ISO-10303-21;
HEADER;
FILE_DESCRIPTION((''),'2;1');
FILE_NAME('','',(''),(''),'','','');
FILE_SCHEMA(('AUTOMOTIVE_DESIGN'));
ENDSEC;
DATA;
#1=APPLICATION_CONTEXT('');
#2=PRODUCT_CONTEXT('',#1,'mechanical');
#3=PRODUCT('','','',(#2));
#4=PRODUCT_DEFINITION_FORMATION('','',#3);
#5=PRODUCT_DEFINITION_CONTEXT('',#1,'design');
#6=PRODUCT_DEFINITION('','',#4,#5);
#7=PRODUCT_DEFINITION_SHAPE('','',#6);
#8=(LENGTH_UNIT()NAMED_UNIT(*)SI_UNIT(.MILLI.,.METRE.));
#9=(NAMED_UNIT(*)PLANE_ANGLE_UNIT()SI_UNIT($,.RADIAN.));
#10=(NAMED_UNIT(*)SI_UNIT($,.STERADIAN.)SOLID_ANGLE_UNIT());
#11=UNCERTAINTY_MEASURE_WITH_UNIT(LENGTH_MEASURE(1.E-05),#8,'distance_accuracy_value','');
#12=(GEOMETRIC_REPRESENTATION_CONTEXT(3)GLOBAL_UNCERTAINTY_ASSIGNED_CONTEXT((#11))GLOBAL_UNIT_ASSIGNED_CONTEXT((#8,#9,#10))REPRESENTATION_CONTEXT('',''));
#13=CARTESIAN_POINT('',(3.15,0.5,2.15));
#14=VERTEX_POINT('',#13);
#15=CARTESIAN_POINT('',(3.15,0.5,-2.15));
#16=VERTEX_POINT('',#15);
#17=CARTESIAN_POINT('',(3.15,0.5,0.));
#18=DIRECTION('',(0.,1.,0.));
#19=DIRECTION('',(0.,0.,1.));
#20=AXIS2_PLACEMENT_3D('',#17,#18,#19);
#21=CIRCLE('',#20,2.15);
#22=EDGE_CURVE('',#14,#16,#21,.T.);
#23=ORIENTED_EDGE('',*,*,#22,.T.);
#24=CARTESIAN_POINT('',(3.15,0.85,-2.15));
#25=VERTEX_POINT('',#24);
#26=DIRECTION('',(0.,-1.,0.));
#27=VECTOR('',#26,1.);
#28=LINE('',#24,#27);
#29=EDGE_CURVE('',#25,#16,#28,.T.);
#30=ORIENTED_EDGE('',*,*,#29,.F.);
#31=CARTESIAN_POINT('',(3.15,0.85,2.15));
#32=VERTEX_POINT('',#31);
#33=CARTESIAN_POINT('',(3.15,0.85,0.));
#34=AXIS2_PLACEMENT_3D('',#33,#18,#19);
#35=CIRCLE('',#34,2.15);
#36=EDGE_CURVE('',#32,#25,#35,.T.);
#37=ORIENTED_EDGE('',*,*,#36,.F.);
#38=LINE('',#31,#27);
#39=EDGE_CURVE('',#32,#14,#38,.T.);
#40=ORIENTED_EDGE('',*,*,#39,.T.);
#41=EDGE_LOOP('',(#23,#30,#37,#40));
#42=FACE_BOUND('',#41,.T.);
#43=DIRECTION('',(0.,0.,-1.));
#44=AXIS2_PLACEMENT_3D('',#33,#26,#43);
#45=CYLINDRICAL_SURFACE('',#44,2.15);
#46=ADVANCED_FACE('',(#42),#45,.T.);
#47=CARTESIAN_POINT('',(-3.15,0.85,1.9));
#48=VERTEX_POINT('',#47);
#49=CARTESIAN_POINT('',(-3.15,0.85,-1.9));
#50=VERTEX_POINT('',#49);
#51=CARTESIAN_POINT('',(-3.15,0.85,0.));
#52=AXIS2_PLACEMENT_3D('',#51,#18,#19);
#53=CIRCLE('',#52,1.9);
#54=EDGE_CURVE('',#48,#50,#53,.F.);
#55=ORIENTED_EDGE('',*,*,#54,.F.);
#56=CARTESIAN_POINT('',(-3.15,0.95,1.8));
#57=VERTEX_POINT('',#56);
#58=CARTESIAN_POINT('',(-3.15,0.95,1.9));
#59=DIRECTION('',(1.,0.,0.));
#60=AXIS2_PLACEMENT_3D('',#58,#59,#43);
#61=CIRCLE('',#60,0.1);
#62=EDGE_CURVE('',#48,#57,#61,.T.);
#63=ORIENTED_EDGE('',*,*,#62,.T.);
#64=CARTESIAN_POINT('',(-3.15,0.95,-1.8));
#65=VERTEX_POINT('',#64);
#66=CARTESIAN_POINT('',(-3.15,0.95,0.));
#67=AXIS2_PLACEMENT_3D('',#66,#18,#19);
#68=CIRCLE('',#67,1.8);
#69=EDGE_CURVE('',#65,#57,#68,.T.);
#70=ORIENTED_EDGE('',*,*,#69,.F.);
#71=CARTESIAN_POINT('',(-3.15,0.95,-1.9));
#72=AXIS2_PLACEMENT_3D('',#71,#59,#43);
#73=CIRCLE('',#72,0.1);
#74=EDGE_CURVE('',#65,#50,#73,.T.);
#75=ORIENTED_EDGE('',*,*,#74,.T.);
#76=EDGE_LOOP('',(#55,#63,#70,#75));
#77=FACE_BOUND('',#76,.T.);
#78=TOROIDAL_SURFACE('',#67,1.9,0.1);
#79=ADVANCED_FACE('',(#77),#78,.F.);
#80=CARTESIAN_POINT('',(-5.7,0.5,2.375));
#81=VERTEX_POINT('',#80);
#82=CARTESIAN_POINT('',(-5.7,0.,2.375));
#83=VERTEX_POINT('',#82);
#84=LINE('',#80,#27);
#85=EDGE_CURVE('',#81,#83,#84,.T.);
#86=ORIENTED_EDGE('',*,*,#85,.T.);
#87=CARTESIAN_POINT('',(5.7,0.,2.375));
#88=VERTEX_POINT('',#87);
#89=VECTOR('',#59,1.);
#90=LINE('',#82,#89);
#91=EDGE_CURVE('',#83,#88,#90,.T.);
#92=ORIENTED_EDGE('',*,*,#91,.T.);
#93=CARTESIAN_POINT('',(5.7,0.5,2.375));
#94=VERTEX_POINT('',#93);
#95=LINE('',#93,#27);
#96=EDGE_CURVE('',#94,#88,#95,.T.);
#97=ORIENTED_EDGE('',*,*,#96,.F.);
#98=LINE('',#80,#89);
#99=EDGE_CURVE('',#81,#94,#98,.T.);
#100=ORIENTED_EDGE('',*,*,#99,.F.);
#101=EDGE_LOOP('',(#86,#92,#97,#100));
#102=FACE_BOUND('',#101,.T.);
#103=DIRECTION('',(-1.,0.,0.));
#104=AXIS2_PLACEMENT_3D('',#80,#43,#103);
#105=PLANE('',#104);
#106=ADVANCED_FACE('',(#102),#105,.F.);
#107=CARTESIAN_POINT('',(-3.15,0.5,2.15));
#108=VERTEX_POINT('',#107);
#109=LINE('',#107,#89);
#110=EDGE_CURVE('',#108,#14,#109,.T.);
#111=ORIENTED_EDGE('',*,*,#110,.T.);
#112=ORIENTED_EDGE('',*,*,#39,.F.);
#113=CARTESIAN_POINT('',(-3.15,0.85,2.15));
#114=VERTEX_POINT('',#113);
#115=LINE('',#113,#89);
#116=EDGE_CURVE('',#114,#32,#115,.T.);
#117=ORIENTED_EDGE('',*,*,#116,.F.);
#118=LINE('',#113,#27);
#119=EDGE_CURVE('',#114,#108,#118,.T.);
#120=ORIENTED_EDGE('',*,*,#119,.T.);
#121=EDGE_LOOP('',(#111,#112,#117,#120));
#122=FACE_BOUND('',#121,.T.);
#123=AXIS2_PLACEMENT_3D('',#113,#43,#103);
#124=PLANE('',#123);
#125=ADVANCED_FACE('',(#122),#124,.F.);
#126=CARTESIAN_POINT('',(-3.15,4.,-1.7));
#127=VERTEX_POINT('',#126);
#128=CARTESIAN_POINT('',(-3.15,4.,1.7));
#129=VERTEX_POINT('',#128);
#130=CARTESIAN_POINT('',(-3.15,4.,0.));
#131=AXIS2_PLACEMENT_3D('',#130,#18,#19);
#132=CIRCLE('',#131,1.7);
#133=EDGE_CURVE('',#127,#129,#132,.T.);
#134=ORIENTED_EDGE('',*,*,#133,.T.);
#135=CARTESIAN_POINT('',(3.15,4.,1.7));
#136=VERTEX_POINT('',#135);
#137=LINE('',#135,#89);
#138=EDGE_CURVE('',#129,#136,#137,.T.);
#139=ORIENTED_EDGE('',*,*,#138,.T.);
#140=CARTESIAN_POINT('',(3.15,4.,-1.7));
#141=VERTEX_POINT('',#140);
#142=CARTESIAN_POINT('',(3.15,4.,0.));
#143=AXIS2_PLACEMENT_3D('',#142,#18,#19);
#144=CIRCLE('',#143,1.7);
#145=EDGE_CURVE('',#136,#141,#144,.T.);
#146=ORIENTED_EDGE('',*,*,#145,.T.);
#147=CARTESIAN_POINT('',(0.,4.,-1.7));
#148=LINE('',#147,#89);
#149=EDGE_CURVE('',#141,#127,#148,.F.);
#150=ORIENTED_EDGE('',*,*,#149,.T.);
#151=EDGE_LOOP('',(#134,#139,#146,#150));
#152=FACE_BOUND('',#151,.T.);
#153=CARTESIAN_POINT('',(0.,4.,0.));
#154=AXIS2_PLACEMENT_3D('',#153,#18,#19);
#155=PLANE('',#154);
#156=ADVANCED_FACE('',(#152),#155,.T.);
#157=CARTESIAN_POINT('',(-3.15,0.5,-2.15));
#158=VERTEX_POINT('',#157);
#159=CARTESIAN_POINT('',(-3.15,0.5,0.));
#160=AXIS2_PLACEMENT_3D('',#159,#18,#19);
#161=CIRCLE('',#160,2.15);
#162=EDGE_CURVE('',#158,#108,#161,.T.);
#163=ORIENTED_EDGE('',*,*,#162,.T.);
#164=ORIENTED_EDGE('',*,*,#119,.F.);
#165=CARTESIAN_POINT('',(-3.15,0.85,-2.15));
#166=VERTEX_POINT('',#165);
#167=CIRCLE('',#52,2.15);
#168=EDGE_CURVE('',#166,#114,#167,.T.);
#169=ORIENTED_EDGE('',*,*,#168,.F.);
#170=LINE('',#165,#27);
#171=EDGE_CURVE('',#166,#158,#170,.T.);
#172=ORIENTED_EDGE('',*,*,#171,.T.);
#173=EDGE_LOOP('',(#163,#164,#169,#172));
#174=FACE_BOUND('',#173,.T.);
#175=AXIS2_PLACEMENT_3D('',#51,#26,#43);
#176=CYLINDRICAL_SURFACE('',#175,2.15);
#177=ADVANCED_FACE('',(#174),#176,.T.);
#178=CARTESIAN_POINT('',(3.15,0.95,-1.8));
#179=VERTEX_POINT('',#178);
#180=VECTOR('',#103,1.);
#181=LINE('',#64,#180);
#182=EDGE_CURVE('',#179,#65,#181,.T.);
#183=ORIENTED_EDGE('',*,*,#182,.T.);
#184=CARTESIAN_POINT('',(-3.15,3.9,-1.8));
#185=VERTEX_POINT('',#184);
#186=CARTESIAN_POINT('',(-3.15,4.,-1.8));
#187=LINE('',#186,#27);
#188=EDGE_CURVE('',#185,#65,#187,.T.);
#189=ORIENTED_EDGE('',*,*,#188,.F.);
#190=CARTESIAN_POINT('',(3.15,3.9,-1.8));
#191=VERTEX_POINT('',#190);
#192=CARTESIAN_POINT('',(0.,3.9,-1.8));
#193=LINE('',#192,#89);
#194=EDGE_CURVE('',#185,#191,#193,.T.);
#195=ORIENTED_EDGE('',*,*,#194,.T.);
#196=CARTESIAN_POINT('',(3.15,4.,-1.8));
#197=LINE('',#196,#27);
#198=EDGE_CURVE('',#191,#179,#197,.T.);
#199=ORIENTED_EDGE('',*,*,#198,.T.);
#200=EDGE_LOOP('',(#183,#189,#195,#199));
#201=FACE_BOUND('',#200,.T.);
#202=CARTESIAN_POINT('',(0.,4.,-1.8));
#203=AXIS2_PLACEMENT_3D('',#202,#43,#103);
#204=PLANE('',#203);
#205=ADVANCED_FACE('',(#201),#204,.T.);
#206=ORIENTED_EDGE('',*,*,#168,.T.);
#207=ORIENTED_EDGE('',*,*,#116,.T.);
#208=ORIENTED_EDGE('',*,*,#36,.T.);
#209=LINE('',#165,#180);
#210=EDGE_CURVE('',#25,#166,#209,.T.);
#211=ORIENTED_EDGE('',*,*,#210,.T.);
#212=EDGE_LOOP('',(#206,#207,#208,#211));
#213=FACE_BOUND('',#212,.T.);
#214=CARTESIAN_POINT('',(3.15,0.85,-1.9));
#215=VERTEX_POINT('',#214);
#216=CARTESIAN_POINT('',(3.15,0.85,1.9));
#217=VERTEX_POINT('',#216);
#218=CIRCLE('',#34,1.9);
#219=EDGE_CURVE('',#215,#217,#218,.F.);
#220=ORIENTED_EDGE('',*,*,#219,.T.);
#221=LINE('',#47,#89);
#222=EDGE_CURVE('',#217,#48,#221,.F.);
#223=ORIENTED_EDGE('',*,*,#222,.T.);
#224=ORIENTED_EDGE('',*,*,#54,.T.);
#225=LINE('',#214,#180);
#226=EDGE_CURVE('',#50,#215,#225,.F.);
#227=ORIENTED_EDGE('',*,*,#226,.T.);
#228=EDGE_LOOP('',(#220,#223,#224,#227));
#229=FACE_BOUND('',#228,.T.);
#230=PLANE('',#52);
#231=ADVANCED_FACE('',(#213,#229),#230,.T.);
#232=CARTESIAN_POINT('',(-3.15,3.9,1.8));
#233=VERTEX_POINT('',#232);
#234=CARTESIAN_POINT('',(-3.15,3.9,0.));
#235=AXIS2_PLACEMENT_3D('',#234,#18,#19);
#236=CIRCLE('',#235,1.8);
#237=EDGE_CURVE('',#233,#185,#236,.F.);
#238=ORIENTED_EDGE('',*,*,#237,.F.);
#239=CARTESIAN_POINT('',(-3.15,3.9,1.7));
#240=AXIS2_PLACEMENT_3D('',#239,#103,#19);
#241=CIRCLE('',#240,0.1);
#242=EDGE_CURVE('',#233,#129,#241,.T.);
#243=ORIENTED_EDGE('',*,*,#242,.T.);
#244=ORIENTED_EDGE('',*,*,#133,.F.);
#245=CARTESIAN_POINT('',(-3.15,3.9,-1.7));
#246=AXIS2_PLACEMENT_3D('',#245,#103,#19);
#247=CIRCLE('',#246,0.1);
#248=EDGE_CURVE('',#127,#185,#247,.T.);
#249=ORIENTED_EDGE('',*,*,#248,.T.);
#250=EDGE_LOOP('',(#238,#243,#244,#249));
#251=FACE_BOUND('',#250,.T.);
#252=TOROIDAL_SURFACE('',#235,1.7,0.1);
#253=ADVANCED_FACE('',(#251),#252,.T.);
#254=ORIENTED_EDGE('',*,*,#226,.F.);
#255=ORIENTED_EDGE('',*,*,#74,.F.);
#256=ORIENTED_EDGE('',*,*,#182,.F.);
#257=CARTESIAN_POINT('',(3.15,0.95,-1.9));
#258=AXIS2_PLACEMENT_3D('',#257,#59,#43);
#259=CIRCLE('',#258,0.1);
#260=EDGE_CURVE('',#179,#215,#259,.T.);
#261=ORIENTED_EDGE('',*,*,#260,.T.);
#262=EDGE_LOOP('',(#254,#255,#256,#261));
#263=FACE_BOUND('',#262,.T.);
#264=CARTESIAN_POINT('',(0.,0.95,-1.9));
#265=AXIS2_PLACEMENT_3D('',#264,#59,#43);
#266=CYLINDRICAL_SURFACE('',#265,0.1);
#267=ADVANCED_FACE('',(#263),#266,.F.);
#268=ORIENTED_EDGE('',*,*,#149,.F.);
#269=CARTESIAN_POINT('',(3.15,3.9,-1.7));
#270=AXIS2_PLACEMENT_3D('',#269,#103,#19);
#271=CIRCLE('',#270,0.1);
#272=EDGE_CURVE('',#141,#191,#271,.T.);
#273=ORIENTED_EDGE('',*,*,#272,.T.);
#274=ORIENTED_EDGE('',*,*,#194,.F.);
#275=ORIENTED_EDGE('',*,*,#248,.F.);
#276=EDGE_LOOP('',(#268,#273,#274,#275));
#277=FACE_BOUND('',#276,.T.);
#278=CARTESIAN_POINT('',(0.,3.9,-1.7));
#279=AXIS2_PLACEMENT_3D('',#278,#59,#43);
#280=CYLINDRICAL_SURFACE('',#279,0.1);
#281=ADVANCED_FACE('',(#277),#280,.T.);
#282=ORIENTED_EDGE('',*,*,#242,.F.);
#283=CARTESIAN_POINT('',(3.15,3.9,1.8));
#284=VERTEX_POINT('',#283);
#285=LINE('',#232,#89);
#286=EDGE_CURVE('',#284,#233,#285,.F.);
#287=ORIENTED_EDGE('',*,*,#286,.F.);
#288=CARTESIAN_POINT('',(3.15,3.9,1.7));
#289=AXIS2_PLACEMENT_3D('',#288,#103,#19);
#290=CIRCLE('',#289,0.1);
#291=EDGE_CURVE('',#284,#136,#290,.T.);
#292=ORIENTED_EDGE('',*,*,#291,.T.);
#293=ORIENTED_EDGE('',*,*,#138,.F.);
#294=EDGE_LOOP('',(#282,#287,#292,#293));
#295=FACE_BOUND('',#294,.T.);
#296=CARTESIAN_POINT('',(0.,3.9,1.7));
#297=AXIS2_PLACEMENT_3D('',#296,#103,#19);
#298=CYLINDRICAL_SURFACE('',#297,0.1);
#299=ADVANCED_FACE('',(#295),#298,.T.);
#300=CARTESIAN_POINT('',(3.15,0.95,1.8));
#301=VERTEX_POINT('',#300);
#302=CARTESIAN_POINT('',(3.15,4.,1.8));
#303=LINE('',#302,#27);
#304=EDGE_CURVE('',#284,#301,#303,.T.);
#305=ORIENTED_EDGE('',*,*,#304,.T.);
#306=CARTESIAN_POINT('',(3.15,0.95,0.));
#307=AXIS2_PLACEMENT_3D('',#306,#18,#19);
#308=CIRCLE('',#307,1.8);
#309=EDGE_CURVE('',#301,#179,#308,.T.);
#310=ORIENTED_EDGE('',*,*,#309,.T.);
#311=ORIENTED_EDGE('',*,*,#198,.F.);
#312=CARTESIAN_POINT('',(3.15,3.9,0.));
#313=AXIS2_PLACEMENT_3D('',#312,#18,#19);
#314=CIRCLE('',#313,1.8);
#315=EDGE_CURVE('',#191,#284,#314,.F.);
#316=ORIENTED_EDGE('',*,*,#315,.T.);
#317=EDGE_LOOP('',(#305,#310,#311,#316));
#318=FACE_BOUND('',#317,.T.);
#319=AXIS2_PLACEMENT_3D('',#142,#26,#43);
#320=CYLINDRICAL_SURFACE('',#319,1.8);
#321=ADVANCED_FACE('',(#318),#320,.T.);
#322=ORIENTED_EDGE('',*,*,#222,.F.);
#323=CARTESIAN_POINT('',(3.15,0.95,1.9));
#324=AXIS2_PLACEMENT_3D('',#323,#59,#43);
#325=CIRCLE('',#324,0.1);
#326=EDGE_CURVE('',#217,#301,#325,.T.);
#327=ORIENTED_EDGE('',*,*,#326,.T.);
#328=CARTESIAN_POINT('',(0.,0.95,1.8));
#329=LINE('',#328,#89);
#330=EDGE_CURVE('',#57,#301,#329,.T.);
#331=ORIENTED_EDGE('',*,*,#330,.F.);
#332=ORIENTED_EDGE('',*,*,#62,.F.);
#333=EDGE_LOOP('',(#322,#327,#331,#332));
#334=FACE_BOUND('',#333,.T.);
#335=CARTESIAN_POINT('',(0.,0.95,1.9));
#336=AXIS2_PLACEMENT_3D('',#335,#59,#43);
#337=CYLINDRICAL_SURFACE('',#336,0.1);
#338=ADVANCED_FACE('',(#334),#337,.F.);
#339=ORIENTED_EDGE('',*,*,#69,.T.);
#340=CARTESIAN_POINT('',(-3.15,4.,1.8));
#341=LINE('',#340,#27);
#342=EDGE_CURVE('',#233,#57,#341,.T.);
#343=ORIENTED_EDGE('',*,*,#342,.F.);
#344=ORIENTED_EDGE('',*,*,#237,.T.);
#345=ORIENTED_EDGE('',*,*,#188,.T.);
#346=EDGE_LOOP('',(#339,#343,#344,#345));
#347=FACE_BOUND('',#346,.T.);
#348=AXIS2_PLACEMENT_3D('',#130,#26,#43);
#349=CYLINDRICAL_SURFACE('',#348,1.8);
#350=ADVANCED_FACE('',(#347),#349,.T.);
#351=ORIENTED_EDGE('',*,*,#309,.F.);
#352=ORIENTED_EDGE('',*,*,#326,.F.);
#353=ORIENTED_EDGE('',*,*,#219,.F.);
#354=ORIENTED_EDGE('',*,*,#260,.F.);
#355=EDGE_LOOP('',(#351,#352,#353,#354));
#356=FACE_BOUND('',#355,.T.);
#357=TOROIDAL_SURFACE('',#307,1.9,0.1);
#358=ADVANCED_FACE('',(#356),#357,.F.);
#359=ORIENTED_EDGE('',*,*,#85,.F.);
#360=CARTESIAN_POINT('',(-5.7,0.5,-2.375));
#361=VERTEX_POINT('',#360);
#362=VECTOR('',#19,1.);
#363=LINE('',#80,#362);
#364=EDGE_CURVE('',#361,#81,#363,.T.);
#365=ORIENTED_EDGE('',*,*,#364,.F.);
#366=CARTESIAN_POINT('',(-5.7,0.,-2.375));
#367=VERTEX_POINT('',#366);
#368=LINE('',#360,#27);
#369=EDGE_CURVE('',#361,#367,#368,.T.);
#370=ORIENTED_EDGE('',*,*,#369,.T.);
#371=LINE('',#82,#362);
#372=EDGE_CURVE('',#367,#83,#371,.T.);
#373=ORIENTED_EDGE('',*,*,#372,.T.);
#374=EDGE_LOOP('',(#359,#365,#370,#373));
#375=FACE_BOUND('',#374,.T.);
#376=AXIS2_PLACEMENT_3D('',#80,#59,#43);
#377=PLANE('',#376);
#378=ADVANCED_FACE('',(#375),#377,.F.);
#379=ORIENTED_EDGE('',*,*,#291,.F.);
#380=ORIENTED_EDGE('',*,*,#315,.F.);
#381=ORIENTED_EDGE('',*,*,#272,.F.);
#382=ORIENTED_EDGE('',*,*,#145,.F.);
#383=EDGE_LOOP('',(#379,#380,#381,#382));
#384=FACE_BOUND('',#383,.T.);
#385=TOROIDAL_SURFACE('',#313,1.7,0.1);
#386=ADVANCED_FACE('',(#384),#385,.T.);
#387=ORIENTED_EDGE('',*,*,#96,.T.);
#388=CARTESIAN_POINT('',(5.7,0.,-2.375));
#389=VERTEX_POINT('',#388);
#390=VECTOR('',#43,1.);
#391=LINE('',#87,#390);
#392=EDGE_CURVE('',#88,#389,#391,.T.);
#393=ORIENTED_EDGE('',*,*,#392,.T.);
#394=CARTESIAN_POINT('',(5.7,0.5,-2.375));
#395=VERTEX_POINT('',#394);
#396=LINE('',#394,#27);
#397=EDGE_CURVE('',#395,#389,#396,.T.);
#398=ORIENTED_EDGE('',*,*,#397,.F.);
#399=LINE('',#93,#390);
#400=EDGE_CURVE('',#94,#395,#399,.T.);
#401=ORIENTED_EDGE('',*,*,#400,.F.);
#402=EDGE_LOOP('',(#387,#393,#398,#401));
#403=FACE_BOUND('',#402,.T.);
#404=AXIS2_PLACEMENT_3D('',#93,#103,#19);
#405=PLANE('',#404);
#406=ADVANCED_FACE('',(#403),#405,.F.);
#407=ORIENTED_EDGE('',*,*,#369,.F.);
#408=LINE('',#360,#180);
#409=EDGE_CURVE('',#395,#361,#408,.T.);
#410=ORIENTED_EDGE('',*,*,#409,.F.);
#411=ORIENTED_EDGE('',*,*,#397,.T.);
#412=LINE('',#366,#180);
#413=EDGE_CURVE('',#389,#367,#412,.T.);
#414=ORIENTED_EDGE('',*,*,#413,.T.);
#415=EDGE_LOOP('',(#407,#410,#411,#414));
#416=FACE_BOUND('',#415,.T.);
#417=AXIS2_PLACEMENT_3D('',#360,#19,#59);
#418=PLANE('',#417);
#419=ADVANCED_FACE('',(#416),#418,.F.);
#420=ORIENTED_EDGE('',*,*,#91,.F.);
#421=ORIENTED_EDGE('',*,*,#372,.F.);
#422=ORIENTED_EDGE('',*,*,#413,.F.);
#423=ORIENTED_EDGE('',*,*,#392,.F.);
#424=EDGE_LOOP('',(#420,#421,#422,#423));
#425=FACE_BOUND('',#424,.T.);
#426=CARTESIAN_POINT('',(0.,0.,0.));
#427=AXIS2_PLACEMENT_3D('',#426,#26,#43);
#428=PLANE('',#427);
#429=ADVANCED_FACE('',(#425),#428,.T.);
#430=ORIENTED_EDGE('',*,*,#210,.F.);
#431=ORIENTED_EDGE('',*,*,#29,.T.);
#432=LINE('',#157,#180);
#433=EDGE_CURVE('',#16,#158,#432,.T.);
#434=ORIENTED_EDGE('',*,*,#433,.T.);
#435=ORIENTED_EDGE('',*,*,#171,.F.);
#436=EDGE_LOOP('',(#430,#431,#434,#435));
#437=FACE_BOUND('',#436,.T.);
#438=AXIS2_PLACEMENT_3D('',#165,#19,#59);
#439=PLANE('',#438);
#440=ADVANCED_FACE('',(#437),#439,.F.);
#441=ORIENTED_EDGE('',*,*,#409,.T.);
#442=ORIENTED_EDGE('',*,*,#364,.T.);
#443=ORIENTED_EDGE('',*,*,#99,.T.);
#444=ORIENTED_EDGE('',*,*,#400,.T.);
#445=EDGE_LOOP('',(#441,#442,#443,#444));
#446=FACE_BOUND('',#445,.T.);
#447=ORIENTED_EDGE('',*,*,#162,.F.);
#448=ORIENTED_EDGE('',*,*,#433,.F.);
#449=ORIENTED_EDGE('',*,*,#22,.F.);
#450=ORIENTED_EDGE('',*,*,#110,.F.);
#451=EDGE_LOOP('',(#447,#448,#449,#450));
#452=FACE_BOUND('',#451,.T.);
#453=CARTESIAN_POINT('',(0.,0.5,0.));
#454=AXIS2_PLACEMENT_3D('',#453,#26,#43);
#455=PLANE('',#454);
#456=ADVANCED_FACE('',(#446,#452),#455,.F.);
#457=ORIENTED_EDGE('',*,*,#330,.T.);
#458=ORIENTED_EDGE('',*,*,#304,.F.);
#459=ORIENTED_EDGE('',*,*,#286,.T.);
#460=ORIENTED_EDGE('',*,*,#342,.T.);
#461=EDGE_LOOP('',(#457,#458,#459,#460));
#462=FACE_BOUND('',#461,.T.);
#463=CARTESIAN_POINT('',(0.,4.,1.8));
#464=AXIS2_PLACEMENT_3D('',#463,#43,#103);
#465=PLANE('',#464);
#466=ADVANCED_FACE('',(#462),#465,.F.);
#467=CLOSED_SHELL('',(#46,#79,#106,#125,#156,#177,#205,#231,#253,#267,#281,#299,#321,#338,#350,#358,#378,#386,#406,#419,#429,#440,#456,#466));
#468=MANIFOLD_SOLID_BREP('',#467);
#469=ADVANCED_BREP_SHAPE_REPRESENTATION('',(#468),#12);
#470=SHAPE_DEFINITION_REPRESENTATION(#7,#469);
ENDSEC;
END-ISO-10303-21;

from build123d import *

# Parameters (mm, degrees)
SKETCH1_W           = 11.4
SKETCH1_H           = 4.75
BOSS_EXTRUDE1_DEPTH = 0.5
BOSS_EXTRUDE2_DEPTH = 3.5
BOSS_EXTRUDE3_DEPTH = 0.35
FILLET1_R           = 0.1


with BuildPart() as part:
    # Sketch1 → Boss-Extrude1 (new body)
    with BuildSketch(Plane(origin=(0, 0, 0), x_dir=(1, 0, 0), z_dir=(0, 1, 0))):
        Rectangle(SKETCH1_W, SKETCH1_H)
    extrude(amount=BOSS_EXTRUDE1_DEPTH)

    # Sketch2 → Boss-Extrude2 (add)
    with BuildSketch(Plane(origin=(0, 0.5, 0), x_dir=(1, 0, 0), z_dir=(0, 1, 0))):
        with BuildLine():
            Line((3.15, 1.8), (-3.15, 1.8))
            ThreePointArc((-3.15, 1.8), (-4.95, 0), (-3.15, -1.8))
            Line((-3.15, -1.8), (3.15, -1.8))
            ThreePointArc((3.15, -1.8), (4.95, 0), (3.15, 1.8))
        make_face()
    extrude(amount=BOSS_EXTRUDE2_DEPTH)

    # Sketch2<3> → Boss-Extrude3 (add)
    with BuildSketch(Plane(origin=(0, 0.5, 0), x_dir=(1, 0, 0), z_dir=(0, 1, 0))):
        with BuildLine():
            Line((-3.15, 2.15), (3.15, 2.15))
            ThreePointArc((3.15, 2.15), (5.3, 0), (3.15, -2.15))
            Line((3.15, -2.15), (-3.15, -2.15))
            ThreePointArc((-3.15, -2.15), (-5.3, 0), (-3.15, 2.15))
        make_face()
        with BuildLine():
            Line((-3.15, 1.8), (3.15, 1.8))
            ThreePointArc((3.15, 1.8), (4.95, 0), (3.15, -1.8))
            Line((3.15, -1.8), (-3.15, -1.8))
            ThreePointArc((-3.15, -1.8), (-4.95, 0), (-3.15, 1.8))
        make_face(mode=Mode.SUBTRACT)
    extrude(amount=BOSS_EXTRUDE3_DEPTH)

    # Fillet1
    fillet1_edges = [part.edges().sort_by_distance(p)[0] for p in [
        (-4.95, 0.85, 0),
        (0, 0.85, -1.8),
        (4.95, 0.85, 0),
        (-4.95, 4, 0),
        (0, 4, -1.8),
        (4.95, 4, 0),
        (0, 4, 1.8),
        (0, 0.85, 1.8),
    ]]
    fillet(fillet1_edges, radius=FILLET1_R)


solid = part.part
